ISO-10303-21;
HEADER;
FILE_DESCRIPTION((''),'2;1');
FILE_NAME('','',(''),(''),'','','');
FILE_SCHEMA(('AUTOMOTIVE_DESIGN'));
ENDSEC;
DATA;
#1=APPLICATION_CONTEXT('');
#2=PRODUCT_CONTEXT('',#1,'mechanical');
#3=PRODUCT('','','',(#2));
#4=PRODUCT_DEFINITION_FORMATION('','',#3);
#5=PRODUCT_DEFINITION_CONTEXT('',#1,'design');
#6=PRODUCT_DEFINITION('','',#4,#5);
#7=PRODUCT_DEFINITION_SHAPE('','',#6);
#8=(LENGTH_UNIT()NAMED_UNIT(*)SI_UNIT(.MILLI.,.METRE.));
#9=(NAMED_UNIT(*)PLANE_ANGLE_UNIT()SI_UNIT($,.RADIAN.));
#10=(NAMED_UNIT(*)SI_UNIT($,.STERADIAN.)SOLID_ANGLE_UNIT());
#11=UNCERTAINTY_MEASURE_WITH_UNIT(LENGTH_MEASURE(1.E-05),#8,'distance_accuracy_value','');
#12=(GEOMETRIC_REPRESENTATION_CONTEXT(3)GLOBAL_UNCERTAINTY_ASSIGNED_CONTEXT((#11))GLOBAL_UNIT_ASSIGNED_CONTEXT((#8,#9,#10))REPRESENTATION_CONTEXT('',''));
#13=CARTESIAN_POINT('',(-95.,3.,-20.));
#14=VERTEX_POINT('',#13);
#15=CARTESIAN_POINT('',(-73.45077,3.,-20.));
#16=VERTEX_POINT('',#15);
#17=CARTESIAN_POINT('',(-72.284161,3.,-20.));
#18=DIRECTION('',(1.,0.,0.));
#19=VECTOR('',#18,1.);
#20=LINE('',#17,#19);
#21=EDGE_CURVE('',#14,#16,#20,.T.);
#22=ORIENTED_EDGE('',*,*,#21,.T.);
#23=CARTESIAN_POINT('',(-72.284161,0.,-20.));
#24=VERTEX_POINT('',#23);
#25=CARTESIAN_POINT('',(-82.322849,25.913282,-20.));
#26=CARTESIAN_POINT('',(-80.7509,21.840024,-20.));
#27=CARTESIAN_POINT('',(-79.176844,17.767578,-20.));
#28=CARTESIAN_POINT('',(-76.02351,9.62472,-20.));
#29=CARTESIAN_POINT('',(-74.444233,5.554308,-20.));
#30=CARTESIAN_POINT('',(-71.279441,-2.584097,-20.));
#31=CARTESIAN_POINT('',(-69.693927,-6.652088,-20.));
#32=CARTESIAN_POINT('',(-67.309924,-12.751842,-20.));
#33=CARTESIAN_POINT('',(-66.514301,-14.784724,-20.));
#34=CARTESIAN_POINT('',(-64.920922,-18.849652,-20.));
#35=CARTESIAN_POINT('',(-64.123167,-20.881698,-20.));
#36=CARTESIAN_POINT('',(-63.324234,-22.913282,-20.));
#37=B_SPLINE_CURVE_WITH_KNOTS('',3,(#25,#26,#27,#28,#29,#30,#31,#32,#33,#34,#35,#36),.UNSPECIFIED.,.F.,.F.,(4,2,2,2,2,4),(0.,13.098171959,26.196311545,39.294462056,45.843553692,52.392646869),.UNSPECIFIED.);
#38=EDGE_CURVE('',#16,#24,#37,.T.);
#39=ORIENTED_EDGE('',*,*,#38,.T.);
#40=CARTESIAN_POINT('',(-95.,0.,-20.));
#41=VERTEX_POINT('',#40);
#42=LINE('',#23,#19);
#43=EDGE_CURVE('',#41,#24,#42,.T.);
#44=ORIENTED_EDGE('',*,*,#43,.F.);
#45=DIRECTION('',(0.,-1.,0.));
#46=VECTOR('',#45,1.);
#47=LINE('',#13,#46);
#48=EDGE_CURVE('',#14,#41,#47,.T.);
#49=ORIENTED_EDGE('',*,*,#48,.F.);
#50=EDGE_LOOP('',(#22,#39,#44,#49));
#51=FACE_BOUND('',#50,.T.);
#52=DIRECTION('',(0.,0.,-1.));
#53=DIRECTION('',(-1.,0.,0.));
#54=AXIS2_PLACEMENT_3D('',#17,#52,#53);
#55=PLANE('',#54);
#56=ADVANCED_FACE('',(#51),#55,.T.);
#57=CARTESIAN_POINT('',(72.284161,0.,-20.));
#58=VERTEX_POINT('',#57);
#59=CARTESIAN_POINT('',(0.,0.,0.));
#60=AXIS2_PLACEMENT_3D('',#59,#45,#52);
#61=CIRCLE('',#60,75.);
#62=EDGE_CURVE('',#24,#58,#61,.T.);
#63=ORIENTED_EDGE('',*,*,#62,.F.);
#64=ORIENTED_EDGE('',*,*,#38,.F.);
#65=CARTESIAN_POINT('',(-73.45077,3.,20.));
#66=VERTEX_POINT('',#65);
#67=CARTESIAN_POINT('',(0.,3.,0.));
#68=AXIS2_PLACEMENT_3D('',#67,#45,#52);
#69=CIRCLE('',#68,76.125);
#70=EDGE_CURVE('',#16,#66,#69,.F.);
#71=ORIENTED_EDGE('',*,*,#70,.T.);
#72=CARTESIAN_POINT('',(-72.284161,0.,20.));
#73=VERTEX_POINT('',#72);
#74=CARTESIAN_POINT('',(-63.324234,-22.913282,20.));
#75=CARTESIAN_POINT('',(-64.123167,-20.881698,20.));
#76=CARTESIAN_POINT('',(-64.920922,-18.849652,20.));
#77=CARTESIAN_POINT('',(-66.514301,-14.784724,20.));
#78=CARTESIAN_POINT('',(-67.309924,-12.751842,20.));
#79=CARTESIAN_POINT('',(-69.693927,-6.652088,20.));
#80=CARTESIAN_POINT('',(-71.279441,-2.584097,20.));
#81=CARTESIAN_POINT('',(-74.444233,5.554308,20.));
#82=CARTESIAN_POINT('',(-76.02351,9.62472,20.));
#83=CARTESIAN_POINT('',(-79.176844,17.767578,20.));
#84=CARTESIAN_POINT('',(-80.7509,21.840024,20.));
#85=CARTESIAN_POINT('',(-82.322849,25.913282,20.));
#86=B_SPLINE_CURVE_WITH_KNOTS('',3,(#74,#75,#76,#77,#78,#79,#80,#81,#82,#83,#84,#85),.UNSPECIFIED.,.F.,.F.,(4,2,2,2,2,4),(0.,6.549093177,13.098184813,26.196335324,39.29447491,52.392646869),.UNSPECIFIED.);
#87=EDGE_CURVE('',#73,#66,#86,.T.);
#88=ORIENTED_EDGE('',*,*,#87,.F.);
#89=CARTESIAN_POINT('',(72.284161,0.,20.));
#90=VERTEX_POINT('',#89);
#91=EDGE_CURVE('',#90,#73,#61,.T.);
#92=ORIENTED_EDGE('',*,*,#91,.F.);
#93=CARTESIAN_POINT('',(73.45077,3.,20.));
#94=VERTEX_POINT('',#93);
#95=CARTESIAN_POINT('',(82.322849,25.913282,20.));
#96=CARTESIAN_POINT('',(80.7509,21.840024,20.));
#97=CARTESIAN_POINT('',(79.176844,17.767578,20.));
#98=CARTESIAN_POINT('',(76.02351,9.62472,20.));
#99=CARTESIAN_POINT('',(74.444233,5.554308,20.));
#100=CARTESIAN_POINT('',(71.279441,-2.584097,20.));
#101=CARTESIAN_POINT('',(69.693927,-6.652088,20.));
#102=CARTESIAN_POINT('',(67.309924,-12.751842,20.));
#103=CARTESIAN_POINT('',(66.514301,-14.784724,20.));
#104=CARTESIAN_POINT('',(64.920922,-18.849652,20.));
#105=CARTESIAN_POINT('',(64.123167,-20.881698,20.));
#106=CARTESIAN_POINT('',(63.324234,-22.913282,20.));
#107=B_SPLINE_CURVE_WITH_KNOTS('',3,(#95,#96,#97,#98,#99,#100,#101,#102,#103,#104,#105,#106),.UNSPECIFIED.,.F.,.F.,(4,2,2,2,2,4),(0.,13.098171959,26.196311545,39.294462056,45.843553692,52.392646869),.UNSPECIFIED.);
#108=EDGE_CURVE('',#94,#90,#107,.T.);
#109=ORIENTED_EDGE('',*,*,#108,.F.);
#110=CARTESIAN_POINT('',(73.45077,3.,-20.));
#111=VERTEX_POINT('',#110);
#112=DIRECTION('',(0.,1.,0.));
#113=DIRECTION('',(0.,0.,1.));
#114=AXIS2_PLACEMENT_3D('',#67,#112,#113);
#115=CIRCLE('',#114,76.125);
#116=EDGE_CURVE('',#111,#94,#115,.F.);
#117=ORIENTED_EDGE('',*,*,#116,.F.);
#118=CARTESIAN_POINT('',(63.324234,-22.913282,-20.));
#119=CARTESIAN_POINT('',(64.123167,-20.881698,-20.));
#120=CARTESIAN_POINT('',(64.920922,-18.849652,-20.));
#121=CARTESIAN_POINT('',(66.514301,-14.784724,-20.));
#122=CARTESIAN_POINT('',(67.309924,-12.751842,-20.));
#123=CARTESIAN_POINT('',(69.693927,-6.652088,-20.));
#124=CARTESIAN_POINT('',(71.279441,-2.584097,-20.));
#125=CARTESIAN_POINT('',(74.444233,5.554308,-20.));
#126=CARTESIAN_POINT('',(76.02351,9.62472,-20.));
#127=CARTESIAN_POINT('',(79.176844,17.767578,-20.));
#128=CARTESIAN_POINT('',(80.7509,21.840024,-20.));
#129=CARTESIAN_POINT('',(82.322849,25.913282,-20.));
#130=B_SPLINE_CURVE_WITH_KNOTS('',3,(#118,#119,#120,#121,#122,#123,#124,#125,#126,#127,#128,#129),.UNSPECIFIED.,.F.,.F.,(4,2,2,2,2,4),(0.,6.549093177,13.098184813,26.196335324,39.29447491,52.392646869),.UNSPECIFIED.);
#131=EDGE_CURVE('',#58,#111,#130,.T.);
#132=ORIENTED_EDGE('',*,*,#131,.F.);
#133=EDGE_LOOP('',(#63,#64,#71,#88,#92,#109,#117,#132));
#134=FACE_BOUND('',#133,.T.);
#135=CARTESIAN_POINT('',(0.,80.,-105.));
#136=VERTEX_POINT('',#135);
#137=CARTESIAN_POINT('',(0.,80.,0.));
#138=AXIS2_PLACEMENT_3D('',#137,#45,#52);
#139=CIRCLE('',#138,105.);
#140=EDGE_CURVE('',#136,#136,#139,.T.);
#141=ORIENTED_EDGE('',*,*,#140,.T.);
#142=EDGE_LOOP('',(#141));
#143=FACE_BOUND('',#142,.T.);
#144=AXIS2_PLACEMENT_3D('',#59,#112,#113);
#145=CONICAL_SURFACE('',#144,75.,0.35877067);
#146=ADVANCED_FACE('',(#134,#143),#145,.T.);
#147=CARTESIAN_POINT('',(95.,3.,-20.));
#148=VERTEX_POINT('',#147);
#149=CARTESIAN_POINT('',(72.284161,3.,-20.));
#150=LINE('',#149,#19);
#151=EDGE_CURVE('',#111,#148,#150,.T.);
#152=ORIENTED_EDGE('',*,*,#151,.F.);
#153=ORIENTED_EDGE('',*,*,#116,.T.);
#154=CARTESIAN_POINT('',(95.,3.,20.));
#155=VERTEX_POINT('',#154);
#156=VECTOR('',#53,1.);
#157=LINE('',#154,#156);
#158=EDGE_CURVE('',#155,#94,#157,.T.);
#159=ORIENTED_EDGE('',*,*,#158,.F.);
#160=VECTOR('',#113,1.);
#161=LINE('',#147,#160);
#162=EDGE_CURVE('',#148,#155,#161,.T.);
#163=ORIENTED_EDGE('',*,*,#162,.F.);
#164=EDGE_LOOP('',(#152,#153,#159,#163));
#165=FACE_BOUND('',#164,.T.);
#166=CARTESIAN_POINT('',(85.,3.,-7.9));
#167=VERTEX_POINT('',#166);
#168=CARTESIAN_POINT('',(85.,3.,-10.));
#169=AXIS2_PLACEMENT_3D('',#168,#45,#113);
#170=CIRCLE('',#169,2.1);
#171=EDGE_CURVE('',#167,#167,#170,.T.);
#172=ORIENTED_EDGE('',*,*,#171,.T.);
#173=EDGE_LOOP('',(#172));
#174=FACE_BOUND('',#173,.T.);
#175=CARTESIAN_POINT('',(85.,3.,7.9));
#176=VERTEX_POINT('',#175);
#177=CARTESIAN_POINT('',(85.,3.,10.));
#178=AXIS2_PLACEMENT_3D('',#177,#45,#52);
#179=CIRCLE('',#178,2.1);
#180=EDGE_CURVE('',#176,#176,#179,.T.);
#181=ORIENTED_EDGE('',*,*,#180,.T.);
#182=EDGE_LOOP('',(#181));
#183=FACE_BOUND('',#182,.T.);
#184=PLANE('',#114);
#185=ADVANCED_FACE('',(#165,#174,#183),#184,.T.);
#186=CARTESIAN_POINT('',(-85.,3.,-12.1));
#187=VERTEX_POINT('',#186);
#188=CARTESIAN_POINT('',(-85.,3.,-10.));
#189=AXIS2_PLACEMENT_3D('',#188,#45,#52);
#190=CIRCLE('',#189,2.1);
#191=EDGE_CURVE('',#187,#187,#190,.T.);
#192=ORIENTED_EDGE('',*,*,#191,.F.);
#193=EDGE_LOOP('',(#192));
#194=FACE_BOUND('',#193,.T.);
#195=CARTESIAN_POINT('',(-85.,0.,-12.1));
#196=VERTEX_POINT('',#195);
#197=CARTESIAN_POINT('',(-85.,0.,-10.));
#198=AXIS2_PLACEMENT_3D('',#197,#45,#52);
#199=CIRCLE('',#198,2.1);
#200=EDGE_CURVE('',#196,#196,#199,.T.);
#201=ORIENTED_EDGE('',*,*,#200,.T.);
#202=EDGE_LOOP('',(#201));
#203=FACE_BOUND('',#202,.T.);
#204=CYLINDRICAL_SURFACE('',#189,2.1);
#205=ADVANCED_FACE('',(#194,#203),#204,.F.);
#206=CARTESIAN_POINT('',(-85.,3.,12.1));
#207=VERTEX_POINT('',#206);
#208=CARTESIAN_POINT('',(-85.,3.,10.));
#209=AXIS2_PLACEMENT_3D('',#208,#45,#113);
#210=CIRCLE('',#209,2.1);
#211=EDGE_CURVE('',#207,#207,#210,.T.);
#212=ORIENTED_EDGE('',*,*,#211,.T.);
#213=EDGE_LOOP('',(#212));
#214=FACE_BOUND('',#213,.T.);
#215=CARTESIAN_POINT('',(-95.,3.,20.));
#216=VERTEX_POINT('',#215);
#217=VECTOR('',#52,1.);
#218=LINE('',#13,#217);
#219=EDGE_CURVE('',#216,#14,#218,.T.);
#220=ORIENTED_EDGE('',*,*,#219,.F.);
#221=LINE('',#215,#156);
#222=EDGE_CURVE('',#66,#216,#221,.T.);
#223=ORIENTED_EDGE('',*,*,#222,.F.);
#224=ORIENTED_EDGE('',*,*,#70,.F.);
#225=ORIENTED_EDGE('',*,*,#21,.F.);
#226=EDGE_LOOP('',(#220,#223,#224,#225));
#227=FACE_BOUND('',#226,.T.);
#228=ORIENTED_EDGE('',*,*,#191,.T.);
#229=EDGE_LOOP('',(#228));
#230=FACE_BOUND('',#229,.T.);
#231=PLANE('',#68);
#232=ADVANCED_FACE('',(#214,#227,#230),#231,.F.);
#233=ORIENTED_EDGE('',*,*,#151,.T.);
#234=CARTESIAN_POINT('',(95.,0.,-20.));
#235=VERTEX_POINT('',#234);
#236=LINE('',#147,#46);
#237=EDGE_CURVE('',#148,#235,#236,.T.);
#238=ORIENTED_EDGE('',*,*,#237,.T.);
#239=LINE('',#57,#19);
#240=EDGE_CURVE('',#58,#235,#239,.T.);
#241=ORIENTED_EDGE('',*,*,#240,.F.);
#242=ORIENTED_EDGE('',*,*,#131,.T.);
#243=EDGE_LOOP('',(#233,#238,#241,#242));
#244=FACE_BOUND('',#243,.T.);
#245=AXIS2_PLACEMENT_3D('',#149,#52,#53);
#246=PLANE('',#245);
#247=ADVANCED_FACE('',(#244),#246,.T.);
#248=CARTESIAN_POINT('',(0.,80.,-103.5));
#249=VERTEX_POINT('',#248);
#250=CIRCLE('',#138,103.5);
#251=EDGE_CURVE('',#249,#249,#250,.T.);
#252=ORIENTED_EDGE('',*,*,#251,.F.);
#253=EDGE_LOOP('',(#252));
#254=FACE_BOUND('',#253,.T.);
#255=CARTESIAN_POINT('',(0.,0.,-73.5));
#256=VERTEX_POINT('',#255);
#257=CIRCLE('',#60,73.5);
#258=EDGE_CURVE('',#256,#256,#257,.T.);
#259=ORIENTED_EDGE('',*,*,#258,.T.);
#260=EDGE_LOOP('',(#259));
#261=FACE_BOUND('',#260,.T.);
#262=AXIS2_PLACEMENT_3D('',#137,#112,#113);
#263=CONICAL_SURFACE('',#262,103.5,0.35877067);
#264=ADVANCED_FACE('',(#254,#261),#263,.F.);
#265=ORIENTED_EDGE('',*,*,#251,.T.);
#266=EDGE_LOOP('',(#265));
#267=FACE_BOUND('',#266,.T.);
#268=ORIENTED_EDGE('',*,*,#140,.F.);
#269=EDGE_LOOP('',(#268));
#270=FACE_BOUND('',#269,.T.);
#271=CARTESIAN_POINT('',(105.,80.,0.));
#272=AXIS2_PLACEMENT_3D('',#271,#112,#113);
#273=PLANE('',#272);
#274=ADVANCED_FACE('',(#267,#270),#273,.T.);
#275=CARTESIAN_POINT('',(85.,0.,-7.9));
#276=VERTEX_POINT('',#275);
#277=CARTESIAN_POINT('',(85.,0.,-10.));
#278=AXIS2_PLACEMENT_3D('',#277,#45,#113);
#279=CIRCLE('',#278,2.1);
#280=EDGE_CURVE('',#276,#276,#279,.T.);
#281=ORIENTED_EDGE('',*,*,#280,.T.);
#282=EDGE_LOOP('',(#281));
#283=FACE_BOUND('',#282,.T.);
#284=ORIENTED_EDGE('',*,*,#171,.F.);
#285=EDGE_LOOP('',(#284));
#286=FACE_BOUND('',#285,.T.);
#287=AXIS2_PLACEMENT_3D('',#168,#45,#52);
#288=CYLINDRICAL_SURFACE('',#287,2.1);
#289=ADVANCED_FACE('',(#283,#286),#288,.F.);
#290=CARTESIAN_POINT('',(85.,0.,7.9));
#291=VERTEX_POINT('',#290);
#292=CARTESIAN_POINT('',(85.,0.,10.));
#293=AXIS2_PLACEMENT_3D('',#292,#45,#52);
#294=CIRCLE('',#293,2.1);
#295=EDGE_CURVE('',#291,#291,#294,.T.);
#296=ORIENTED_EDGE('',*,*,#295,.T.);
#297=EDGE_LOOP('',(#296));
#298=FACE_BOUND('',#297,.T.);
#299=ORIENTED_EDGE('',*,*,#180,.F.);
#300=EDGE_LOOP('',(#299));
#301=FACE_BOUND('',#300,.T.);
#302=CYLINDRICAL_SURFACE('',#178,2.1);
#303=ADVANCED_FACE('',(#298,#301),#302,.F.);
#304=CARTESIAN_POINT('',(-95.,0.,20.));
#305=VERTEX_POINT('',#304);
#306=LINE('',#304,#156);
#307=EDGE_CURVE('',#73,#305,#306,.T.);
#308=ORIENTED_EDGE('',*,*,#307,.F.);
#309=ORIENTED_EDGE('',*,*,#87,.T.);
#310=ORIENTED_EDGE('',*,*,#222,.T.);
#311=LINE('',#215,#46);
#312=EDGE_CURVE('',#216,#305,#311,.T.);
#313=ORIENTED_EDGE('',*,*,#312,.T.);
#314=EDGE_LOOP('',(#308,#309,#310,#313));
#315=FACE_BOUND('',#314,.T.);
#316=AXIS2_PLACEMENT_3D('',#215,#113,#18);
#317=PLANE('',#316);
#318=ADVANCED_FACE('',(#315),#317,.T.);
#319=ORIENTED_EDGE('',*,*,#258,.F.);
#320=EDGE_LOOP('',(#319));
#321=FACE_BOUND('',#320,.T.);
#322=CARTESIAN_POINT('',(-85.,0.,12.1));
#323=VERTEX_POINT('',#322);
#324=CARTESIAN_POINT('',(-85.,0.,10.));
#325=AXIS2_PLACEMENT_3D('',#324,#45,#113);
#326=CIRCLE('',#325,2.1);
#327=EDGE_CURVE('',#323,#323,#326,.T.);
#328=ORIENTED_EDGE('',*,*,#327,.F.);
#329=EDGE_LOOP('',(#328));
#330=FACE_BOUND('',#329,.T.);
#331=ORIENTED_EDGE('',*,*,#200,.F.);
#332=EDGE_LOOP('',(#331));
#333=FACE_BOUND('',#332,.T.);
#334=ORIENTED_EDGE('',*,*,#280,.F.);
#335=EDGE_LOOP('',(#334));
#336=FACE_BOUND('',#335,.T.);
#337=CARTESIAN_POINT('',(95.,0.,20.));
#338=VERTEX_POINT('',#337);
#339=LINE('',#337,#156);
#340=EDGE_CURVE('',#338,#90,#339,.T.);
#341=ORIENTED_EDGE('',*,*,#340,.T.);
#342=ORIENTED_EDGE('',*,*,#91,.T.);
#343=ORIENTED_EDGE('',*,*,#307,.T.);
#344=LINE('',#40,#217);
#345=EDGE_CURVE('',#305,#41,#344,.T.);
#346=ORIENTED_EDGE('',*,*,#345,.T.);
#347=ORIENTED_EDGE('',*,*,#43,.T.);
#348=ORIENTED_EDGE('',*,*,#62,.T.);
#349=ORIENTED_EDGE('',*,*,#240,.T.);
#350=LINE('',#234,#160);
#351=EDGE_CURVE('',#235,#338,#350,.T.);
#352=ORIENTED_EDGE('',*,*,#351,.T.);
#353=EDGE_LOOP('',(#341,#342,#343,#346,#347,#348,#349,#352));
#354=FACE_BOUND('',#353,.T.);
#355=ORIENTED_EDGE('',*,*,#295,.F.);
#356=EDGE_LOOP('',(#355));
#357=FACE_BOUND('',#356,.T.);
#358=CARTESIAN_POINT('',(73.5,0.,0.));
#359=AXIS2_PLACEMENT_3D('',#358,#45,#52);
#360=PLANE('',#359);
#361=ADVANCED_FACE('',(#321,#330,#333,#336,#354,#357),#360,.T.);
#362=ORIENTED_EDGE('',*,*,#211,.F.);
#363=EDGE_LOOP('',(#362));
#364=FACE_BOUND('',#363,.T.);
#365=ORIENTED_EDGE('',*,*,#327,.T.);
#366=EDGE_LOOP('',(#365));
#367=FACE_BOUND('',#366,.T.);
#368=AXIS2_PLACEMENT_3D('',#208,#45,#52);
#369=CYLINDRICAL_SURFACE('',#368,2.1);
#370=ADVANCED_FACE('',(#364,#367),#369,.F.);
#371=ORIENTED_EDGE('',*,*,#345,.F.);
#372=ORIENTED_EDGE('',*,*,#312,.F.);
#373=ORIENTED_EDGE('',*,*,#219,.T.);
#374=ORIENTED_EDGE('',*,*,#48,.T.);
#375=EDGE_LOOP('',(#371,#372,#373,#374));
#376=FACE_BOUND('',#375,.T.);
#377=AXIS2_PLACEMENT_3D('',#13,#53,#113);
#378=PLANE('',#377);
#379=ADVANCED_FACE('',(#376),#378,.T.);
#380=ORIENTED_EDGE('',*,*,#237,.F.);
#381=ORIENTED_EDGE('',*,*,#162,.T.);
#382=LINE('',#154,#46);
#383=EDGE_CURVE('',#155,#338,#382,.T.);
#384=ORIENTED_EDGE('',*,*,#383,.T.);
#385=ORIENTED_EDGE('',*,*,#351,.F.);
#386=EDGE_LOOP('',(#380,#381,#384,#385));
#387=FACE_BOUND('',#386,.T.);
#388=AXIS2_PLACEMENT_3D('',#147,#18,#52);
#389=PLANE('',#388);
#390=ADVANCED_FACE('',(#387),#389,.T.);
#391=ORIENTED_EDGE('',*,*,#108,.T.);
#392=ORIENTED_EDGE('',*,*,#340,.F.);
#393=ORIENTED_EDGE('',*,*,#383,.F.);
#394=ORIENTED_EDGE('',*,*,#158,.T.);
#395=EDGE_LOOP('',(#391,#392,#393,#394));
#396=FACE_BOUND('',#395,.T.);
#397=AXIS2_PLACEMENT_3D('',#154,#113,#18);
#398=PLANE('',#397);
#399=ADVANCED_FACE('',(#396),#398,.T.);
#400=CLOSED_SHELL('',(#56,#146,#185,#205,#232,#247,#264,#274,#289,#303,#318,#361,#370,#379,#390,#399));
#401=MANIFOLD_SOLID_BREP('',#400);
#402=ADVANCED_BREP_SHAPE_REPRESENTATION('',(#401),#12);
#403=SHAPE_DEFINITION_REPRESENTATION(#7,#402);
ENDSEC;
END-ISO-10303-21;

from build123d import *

# Parameters (mm, degrees)
BOSS_EXTRUDE1_DEPTH = 3
SKETCH3_R           = 2.1
CUT_EXTRUDE1_DEPTH  = 3


with BuildPart() as part:
    # Sketch1 → Revolve1 (revolve)
    with BuildSketch(Plane.XY, mode=Mode.PRIVATE) as revolve1_sk:
        Polygon((73.5, 0), (75, 0), (105, 80), (103.5, 80), align=None)
    revolve(revolve1_sk.sketch.rotate(Axis((0, 0, 0), (0, 1, 0)), 90), axis=Axis((0, 0, 0), (0, 1, 0)))

    # Sketch2 → Boss-Extrude1 (add)
    with BuildSketch(Plane.XZ):
        with BuildLine():
            Line((72.284161474, -20), (95, -20))
            Line((95, -20), (95, 20))
            Line((95, 20), (72.284161474, 20))
            ThreePointArc((72.284161474, 20), (75, 0), (72.284161474, -20))
        make_face()
        with BuildLine():
            Line((-95, 20), (-72.284161474, 20))
            ThreePointArc((-72.284161474, 20), (-75, 0), (-72.284161474, -20))
            Line((-72.284161474, -20), (-95, -20))
            Line((-95, -20), (-95, 20))
        make_face()
    extrude(amount=-BOSS_EXTRUDE1_DEPTH)

    # Sketch3 → Cut-Extrude1 (cut)
    with BuildSketch(Plane.XZ):
        with Locations(Location((85, 10, 0), (0, 0, 270))):
            Circle(SKETCH3_R)
        with Locations(Location((85, -10, 0), (0, 0, 90))):
            Circle(SKETCH3_R)
        with Locations(Location((-85, -10, 0), (0, 0, 270))):
            Circle(SKETCH3_R)
        with Locations(Location((-85, 10, 0), (0, 0, 90))):
            Circle(SKETCH3_R)
    extrude(amount=-CUT_EXTRUDE1_DEPTH, mode=Mode.SUBTRACT)


solid = part.part
